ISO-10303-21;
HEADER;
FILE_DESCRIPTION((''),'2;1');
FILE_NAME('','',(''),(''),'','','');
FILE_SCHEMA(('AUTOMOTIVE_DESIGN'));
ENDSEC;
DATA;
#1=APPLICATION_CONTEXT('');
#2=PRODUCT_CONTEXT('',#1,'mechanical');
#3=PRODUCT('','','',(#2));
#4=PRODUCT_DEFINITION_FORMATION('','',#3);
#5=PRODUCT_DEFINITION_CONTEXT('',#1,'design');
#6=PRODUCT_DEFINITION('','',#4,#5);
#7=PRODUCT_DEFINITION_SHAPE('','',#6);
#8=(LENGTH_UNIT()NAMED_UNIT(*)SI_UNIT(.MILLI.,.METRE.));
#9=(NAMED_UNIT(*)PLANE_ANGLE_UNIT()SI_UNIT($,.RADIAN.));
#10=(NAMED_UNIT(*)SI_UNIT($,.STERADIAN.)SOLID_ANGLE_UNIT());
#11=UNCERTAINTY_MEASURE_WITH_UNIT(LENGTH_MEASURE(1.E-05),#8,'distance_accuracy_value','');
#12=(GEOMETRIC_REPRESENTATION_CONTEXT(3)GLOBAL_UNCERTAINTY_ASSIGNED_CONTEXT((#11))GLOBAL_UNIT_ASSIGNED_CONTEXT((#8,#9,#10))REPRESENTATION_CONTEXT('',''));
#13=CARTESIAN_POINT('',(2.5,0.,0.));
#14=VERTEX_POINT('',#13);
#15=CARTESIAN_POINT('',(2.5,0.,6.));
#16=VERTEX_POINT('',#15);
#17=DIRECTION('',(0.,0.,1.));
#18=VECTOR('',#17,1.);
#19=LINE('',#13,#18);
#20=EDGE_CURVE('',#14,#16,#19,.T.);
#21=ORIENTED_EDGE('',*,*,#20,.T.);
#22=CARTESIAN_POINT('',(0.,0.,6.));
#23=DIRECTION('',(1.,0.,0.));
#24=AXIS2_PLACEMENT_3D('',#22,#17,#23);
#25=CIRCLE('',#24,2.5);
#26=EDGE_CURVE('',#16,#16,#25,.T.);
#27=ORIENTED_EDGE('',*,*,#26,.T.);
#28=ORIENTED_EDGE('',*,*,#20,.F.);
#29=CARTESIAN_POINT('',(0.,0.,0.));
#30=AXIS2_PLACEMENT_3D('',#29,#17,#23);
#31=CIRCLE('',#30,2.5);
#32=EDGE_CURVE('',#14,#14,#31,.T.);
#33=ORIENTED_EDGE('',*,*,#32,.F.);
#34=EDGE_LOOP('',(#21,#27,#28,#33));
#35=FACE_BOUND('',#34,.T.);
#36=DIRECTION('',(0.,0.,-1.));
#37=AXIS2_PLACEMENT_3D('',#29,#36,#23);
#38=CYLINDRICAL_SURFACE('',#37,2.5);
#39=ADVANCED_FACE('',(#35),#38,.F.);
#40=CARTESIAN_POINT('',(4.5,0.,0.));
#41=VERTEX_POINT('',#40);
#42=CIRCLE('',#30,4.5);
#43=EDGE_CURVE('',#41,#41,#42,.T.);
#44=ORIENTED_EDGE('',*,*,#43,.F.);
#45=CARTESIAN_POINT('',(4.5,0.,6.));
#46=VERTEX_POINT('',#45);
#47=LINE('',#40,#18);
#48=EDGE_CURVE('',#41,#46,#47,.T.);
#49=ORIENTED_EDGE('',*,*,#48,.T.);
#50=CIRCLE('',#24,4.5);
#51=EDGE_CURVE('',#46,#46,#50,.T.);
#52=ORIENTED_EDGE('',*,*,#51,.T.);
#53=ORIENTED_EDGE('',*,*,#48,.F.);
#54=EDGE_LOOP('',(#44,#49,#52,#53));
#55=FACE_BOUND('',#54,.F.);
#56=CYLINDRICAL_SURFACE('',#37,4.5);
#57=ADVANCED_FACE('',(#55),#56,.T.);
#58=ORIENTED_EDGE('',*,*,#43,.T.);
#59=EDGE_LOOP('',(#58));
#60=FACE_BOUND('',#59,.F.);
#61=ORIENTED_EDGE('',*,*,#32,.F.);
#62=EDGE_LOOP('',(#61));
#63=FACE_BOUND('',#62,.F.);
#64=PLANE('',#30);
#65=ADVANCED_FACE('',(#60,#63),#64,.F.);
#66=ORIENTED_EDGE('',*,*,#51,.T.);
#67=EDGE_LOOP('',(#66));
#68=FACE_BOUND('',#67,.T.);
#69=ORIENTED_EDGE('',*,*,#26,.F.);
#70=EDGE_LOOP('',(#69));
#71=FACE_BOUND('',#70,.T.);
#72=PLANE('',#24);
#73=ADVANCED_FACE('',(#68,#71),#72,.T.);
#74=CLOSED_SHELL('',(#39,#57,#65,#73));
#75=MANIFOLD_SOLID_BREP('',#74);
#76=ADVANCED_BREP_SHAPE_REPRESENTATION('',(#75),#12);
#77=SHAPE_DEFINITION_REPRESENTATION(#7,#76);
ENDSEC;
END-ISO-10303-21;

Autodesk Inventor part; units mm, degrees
ref_plane "YZ Plane" through (0, 0, 0) normal (1, 0, 0) x (0, 1, 0)
ref_plane "XZ Plane" through (0, 0, 0) normal (0, 1, 0) x (-1, 0, 0)
ref_plane "XY Plane" through (0, 0, 0) normal (0, 0, 1) x (1, 0, 0)
sketch "Sketch1" plane through (0, 0, 0) normal (0, 0, 1) x (1, 0, 0)
  circle A0 centre (0, 0) radius 2.5
  circle A1 centre (0, 0) radius 4.5
  dimension "d0" = 5
  dimension "d1" = 9
extrude "Extrusion1" add sketch "Sketch1" along normal blind 6
properties part number "belt pulley"
